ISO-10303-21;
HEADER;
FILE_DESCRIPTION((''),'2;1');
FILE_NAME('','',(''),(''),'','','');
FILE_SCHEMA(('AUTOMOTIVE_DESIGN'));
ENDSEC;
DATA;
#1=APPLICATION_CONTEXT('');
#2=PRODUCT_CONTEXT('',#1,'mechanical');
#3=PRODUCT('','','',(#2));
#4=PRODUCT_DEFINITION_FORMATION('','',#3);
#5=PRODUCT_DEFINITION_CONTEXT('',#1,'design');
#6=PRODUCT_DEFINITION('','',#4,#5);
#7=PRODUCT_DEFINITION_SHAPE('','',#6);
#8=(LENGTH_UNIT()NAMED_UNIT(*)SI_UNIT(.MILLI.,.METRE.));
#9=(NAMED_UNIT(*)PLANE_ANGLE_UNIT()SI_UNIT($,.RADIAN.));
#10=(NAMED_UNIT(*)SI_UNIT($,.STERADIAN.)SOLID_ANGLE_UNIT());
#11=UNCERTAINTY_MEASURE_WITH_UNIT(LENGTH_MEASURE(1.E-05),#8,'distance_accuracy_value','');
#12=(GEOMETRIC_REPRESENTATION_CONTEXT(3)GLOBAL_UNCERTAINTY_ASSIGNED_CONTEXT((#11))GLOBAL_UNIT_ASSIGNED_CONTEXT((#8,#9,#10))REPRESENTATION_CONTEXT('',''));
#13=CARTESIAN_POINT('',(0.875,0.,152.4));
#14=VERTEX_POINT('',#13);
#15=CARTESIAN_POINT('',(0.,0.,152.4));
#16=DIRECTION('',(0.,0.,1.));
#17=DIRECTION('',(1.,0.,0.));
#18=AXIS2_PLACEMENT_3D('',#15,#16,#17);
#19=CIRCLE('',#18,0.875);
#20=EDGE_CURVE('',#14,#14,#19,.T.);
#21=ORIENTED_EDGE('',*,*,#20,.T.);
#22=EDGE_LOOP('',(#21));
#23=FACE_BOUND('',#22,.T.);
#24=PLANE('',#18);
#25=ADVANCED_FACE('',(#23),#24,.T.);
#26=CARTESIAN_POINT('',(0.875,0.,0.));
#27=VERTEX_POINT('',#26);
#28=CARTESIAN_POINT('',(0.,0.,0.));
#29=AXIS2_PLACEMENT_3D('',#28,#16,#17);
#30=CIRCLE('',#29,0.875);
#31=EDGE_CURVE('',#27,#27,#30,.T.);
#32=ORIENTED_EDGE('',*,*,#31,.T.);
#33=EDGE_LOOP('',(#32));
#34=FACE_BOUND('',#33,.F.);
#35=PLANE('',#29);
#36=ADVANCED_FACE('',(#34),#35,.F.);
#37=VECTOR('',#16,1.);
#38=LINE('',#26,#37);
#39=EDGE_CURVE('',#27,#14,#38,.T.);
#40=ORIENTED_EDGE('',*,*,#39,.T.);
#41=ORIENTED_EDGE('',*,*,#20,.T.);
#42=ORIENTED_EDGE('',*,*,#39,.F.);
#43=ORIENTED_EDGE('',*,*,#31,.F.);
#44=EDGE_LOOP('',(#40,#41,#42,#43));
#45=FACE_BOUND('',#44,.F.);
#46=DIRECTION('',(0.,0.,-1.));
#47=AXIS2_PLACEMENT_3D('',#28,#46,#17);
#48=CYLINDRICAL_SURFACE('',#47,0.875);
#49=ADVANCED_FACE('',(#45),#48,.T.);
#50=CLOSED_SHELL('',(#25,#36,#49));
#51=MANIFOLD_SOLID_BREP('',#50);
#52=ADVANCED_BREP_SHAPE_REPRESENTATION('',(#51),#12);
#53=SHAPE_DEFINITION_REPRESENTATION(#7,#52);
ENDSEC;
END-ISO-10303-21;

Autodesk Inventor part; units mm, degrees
ref_plane "YZ Plane" through (0, 0, 0) normal (1, 0, 0) x (0, 1, 0)
ref_plane "XZ Plane" through (0, 0, 0) normal (0, 1, 0) x (-1, 0, 0)
ref_plane "XY Plane" through (0, 0, 0) normal (0, 0, 1) x (1, 0, 0)
sketch "Sketch1" plane through (0, 0, 0) normal (0, 0, 1) x (1, 0, 0)
  circle A0 centre (0, 0) radius 0.875
  dimension "d0" = 1.75
extrude "Extrusion1" add sketch "Sketch1" along normal blind 152.4
properties part number "filament1.75mm"
